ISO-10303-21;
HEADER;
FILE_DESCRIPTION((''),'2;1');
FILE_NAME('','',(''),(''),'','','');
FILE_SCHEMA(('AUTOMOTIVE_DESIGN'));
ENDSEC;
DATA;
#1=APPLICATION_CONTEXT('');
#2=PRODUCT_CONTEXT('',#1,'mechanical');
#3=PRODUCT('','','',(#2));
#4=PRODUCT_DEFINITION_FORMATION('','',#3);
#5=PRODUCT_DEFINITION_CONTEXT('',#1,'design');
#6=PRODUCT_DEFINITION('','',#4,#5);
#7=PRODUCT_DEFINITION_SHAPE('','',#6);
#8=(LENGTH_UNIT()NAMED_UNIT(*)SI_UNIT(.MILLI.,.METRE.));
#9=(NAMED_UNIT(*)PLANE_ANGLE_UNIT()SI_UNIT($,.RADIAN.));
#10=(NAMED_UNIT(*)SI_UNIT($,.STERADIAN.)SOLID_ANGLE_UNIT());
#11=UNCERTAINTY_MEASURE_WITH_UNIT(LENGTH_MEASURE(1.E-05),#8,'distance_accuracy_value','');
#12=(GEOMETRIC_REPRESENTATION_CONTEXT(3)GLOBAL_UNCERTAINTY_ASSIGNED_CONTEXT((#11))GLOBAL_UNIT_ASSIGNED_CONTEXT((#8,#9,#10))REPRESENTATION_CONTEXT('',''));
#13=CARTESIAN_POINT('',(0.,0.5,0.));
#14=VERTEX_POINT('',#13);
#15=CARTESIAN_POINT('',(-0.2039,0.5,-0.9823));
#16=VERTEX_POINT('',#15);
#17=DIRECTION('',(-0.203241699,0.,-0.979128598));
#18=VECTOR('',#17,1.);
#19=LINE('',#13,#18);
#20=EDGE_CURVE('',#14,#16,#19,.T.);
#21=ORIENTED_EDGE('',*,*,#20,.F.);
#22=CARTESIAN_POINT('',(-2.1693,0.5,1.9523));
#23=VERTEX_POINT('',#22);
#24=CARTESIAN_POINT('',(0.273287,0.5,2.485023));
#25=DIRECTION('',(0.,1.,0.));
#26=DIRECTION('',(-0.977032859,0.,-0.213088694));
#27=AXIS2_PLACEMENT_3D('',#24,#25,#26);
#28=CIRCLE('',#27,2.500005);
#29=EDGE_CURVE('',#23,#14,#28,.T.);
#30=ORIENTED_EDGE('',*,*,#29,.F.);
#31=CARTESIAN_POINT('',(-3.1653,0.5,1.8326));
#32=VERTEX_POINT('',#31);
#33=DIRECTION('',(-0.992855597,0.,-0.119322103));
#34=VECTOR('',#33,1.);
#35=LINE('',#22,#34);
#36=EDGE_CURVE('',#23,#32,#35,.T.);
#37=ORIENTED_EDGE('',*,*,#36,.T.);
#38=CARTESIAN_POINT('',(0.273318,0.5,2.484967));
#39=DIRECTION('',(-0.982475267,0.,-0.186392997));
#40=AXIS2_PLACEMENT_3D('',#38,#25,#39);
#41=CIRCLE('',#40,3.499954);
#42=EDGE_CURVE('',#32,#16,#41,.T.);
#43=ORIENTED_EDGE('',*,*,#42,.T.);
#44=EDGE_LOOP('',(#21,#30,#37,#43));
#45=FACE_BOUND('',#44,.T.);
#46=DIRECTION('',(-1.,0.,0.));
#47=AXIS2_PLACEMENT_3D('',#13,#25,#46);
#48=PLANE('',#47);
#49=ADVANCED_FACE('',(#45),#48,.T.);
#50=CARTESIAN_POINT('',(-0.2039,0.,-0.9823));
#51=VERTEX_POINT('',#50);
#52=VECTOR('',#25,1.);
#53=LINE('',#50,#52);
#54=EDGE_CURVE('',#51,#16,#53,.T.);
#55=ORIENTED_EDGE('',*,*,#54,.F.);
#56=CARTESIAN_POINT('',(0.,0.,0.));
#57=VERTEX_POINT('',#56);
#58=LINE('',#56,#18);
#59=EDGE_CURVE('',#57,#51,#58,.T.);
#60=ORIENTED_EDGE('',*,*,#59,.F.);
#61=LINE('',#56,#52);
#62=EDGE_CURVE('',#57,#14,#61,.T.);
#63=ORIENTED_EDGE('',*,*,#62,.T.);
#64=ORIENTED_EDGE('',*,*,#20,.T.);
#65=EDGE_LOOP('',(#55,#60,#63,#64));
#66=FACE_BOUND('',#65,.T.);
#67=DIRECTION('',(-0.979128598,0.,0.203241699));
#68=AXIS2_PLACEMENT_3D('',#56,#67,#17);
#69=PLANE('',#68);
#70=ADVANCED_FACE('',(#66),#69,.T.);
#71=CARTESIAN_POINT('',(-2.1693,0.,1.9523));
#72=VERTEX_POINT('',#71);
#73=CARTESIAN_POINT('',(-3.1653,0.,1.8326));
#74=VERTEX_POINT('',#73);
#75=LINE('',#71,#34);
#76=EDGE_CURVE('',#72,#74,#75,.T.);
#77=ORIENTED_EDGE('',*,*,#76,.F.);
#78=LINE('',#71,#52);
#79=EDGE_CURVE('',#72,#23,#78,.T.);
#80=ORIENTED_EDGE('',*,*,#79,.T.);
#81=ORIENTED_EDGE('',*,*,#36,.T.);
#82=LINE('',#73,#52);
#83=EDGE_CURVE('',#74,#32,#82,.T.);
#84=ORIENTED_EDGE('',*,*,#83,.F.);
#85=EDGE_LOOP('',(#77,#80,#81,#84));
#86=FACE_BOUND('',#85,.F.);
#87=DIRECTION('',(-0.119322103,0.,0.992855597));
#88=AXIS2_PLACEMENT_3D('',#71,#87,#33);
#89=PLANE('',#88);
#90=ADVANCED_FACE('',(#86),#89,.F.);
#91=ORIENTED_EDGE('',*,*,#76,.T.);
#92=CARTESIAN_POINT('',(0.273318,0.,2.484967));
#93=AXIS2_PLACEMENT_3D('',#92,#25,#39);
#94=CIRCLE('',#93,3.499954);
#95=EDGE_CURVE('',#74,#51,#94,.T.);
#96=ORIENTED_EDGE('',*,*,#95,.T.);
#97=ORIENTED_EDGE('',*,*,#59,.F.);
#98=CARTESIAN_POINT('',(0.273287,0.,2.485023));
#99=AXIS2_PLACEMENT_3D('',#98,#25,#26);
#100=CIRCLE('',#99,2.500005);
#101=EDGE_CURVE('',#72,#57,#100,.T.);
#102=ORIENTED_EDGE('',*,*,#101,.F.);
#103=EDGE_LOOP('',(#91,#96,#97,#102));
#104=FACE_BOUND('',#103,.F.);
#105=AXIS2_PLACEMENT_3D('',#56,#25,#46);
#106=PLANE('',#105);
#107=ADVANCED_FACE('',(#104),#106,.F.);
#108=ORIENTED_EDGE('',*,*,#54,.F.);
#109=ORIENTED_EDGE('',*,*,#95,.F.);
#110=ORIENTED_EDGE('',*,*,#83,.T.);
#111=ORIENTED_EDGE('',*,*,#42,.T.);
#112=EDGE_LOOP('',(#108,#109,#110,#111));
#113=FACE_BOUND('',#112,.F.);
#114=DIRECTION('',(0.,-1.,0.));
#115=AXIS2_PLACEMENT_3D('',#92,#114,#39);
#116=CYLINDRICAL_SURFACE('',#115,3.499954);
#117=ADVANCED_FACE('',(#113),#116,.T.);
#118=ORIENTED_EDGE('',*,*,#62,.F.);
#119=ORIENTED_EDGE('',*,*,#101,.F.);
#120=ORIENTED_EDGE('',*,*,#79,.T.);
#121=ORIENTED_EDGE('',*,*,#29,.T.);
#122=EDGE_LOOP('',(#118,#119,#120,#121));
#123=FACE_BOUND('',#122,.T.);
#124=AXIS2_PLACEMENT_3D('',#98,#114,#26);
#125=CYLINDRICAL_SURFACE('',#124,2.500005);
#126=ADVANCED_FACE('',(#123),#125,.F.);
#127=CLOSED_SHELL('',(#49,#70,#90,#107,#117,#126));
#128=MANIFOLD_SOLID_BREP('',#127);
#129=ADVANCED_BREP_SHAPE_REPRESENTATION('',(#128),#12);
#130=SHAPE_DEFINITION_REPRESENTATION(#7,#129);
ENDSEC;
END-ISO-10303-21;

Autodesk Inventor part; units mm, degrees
ref_plane "YZ Plane" through (0, 0, 0) normal (1, 0, 0) x (0, 1, 0)
ref_plane "XZ Plane" through (0, 0, 0) normal (0, 1, 0) x (-1, 0, 0)
ref_plane "XY Plane" through (0, 0, 0) normal (0, 0, 1) x (1, 0, 0)
sketch "Sketch1" plane through (0, 0, 0) normal (0, 1, 0) x (-1, 0, 0)
  arc A0 (2.1693, 1.9523) -> (0, 0) centre (-0.2733, 2.485) ccw
  arc A1 (3.1653, 1.8326) -> (0.2039, -0.9823) centre (-0.2733, 2.485) ccw
  line L0 (0, 0) -> (0.2039, -0.9823)
  line L1 (2.1693, 1.9523) -> (3.1653, 1.8326)
  dimension "d0" = 2.5
  dimension "d1" = 3.5
  dimension "d2" = 0
  dimension "d3" = 0
extrude "Extrusion1" add sketch "Sketch1" along normal blind 0.5
properties part number "RetainingRingLarge"
